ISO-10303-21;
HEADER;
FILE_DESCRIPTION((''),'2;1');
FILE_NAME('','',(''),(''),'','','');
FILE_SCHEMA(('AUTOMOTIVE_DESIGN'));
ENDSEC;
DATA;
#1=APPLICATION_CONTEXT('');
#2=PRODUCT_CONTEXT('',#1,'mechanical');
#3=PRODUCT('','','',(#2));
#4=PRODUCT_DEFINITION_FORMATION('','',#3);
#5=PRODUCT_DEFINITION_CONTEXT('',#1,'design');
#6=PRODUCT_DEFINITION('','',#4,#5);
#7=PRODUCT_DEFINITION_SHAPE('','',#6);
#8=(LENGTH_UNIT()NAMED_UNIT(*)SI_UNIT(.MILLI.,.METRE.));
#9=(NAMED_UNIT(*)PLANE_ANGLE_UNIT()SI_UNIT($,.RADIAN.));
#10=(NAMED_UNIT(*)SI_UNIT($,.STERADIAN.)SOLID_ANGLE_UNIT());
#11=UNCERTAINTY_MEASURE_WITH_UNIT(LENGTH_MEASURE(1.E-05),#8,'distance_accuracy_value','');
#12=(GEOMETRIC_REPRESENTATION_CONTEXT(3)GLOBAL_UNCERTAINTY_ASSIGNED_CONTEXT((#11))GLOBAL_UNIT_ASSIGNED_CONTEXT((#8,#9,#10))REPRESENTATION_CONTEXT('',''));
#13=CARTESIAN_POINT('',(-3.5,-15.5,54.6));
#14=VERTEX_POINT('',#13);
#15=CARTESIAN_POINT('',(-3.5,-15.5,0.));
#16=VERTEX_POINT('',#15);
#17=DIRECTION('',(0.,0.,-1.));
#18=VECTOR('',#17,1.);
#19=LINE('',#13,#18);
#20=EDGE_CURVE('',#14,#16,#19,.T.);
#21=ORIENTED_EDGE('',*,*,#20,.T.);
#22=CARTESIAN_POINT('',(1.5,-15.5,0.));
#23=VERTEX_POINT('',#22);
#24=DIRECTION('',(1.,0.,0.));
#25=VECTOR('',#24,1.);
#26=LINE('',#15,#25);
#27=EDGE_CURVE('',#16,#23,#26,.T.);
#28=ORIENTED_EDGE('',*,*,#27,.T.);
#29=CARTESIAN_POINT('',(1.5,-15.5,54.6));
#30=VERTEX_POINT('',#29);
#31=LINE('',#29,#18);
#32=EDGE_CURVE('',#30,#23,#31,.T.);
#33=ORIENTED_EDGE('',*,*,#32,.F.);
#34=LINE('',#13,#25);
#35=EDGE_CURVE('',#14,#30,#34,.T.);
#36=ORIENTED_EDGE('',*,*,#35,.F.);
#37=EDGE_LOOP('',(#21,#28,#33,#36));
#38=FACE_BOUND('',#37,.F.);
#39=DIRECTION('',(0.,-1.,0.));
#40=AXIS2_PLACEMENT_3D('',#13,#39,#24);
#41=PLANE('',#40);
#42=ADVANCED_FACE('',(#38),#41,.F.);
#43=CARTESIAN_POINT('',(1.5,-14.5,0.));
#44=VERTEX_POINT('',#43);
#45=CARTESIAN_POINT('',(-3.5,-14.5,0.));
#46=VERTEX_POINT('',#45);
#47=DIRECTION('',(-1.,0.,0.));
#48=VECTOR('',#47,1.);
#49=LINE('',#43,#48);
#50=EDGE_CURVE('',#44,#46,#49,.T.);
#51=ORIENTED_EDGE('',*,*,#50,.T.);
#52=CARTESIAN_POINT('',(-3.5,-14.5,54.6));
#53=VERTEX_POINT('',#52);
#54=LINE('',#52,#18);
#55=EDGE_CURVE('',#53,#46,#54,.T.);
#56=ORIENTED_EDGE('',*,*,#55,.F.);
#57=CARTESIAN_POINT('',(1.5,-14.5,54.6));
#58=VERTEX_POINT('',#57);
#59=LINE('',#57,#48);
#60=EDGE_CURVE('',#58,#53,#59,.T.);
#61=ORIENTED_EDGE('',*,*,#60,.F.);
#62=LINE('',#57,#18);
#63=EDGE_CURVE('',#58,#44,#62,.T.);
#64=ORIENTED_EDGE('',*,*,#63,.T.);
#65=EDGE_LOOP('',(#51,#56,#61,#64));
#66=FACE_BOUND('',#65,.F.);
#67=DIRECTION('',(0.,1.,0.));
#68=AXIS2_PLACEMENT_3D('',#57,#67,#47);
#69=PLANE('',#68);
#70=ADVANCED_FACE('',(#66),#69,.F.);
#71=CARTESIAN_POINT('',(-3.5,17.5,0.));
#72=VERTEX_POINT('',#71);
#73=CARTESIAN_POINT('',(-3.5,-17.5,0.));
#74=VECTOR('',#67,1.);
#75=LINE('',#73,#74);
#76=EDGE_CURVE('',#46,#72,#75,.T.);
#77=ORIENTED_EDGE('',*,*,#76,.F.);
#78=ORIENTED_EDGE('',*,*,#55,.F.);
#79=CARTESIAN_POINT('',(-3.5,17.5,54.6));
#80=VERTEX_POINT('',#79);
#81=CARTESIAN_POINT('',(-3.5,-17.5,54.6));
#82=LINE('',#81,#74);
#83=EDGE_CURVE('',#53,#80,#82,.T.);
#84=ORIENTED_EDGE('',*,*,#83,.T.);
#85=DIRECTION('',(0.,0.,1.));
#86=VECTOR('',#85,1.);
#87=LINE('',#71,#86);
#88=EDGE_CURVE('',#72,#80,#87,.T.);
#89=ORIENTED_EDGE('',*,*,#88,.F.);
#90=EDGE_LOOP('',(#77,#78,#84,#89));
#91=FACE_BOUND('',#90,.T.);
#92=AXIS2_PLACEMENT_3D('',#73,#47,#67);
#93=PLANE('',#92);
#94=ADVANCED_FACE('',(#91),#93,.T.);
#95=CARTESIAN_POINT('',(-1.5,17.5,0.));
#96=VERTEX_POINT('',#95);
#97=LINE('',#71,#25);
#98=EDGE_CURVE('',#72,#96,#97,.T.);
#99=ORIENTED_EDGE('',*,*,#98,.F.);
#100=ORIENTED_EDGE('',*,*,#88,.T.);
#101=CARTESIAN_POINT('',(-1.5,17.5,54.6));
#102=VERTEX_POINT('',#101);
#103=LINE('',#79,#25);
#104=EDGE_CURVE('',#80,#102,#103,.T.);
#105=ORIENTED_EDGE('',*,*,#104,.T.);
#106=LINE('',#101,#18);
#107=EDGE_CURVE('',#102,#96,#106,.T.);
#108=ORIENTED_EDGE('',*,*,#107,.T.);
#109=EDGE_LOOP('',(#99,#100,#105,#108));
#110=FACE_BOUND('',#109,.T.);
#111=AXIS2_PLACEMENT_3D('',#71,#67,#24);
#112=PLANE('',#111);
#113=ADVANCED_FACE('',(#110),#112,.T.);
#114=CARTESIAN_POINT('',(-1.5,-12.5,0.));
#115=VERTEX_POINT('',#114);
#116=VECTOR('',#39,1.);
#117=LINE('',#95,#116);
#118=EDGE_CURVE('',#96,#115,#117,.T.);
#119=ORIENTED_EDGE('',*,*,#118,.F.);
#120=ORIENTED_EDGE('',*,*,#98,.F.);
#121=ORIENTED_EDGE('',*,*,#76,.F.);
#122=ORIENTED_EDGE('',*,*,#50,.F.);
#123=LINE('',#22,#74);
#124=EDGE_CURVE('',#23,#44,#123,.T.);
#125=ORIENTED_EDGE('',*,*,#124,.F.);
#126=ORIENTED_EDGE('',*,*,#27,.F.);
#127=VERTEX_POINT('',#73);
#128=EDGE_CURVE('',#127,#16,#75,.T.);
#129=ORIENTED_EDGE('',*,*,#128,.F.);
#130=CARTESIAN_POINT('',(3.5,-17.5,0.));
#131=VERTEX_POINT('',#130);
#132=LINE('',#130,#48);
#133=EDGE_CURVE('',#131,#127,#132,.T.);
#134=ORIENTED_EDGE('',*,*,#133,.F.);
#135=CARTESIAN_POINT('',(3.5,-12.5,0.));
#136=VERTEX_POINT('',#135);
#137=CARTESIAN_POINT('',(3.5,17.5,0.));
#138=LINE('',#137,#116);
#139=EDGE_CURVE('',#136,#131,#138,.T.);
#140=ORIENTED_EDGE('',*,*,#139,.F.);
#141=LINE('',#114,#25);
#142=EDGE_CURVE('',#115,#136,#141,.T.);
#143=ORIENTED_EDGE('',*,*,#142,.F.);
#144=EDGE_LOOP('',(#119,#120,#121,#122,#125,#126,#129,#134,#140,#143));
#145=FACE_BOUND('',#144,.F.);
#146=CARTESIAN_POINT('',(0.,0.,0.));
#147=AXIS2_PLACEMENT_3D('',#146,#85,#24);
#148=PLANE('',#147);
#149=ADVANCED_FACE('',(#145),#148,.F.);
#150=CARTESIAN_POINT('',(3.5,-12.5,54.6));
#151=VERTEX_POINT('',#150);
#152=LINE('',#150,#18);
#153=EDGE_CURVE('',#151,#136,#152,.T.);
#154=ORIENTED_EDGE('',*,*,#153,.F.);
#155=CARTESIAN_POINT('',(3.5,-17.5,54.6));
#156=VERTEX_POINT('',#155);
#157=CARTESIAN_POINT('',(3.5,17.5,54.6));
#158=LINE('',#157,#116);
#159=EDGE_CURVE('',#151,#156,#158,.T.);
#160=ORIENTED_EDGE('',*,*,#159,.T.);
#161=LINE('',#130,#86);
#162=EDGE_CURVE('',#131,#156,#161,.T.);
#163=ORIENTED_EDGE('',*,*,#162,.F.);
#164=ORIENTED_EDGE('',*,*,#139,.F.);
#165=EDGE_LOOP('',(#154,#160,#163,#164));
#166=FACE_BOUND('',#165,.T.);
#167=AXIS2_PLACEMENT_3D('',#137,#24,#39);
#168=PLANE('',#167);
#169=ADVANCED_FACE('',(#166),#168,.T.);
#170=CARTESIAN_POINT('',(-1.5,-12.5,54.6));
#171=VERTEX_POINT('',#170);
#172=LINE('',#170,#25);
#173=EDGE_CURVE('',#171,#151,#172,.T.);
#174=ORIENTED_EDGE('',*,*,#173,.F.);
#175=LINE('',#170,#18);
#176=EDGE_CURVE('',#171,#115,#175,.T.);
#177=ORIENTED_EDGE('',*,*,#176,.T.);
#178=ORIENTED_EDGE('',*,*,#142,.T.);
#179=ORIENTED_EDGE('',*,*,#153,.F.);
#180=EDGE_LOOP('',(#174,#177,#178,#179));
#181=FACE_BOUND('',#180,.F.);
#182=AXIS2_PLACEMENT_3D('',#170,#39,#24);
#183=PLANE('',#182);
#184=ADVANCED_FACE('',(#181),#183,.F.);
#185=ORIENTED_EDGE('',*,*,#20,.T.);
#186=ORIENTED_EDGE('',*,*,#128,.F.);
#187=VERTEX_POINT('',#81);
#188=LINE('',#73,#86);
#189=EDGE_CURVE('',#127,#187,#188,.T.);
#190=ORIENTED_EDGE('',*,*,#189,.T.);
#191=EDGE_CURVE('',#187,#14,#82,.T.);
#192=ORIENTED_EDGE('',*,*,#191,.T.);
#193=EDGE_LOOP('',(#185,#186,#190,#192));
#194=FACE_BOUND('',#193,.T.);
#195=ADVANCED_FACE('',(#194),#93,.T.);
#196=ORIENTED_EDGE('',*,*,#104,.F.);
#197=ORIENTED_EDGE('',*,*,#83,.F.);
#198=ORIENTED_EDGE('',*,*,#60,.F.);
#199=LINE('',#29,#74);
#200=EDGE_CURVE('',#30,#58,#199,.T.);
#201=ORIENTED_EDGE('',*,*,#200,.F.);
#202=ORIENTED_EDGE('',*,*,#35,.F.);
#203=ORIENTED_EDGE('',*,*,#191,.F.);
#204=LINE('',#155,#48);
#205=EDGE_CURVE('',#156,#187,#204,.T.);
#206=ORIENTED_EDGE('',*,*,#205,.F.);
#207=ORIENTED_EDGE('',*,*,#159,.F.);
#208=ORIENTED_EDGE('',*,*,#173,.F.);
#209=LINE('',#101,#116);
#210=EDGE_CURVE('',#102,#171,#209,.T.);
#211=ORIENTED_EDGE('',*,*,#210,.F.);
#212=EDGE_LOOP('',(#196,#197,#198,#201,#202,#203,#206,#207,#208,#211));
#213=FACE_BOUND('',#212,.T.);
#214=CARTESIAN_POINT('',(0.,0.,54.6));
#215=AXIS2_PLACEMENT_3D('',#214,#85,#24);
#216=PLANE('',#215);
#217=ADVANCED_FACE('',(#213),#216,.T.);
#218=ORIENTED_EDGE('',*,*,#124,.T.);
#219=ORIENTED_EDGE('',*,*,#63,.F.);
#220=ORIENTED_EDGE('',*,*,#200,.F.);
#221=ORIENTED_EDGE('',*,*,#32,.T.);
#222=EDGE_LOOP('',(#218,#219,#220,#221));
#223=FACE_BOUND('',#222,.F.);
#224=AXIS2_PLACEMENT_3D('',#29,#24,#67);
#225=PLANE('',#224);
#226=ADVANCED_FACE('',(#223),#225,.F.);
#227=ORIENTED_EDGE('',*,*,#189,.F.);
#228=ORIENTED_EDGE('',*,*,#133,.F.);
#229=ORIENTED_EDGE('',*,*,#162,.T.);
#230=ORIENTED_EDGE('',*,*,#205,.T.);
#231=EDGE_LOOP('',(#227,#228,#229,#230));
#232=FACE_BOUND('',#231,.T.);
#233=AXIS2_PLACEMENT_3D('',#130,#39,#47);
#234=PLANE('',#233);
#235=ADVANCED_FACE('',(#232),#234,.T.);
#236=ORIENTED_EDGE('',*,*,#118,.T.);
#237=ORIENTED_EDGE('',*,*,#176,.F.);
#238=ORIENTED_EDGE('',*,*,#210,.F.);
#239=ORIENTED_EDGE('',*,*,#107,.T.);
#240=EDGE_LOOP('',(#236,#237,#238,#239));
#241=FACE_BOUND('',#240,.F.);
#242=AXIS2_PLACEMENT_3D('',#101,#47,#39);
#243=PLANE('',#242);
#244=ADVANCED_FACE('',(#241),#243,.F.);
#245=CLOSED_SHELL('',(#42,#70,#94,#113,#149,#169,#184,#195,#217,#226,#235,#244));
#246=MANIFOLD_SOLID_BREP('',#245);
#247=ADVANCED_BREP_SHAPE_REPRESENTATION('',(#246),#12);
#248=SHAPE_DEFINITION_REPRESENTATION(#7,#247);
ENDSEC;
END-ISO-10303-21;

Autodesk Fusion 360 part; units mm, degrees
sketch "Sketch1" plane through (0, 0, 0) normal (0, 0, 1) x (1, 0, 0)
  line L0 (-3.5, 17.5) -> (3.5, 17.5)
  line L1 (3.5, 17.5) -> (3.5, -17.5)
  line L2 (3.5, -17.5) -> (-3.5, -17.5)
  line L3 (-3.5, -17.5) -> (-3.5, 17.5)
  line L4 (-3.5, 17.5) -> (3.5, -17.5) construction
  line L5 (3.5, 17.5) -> (-3.5, -17.5) construction
  dimension "d13" = 7
  dimension "d14" = 35
extrude "Extrude1" add sketch "Sketch1" along normal blind 54.6
sketch "Sketch2" plane through (0, 0, 54.6) normal (0, 0, 1) x (-1, 0, 0)
  line L0 (3.5, 17.5) -> (-3.5, 17.5)
  line L1 (-3.5, 17.5) -> (-3.5, -17.5)
  line L2 (-3.5, -17.5) -> (3.5, -17.5)
  line L3 (3.5, -17.5) -> (3.5, 17.5)
  line L4 (-3.5, -17.5) -> (1.5, -17.5)
  line L5 (1.5, -17.5) -> (1.5, 12.5)
  line L6 (1.5, 12.5) -> (-3.5, 12.5)
  line L7 (-3.5, 12.5) -> (-3.5, -17.5)
  dimension "d17" = 5
  dimension "d18" = 30
extrude "Extrude2" cut sketch "Sketch2" against normal blind 54.6 contours L1 L2 L4 L5 L6 L7
sketch "Sketch3" plane through (0, 0, 54.6) normal (0, 0, 1) x (-1, 0, 0)
  line L0 (1.5, 12.5) -> (1.5, -17.5)
  line L1 (1.5, -17.5) -> (3.5, -17.5)
  line L2 (3.5, -17.5) -> (3.5, 17.5)
  line L3 (3.5, 17.5) -> (-3.5, 17.5)
  line L4 (-3.5, 17.5) -> (-3.5, 12.5)
  line L5 (-3.5, 12.5) -> (1.5, 12.5)
  line L6 (-1.5, 14.5) -> (3.5, 14.5)
  line L7 (3.5, 14.5) -> (3.5, 15.5)
  line L8 (3.5, 15.5) -> (-1.5, 15.5)
  line L9 (-1.5, 15.5) -> (-1.5, 14.5)
  dimension "d21" = 5
  dimension "d22" = 1
extrude "Extrude3" cut sketch "Sketch3" against normal blind 54.6 contours L2 L6 L7 L8 L9
